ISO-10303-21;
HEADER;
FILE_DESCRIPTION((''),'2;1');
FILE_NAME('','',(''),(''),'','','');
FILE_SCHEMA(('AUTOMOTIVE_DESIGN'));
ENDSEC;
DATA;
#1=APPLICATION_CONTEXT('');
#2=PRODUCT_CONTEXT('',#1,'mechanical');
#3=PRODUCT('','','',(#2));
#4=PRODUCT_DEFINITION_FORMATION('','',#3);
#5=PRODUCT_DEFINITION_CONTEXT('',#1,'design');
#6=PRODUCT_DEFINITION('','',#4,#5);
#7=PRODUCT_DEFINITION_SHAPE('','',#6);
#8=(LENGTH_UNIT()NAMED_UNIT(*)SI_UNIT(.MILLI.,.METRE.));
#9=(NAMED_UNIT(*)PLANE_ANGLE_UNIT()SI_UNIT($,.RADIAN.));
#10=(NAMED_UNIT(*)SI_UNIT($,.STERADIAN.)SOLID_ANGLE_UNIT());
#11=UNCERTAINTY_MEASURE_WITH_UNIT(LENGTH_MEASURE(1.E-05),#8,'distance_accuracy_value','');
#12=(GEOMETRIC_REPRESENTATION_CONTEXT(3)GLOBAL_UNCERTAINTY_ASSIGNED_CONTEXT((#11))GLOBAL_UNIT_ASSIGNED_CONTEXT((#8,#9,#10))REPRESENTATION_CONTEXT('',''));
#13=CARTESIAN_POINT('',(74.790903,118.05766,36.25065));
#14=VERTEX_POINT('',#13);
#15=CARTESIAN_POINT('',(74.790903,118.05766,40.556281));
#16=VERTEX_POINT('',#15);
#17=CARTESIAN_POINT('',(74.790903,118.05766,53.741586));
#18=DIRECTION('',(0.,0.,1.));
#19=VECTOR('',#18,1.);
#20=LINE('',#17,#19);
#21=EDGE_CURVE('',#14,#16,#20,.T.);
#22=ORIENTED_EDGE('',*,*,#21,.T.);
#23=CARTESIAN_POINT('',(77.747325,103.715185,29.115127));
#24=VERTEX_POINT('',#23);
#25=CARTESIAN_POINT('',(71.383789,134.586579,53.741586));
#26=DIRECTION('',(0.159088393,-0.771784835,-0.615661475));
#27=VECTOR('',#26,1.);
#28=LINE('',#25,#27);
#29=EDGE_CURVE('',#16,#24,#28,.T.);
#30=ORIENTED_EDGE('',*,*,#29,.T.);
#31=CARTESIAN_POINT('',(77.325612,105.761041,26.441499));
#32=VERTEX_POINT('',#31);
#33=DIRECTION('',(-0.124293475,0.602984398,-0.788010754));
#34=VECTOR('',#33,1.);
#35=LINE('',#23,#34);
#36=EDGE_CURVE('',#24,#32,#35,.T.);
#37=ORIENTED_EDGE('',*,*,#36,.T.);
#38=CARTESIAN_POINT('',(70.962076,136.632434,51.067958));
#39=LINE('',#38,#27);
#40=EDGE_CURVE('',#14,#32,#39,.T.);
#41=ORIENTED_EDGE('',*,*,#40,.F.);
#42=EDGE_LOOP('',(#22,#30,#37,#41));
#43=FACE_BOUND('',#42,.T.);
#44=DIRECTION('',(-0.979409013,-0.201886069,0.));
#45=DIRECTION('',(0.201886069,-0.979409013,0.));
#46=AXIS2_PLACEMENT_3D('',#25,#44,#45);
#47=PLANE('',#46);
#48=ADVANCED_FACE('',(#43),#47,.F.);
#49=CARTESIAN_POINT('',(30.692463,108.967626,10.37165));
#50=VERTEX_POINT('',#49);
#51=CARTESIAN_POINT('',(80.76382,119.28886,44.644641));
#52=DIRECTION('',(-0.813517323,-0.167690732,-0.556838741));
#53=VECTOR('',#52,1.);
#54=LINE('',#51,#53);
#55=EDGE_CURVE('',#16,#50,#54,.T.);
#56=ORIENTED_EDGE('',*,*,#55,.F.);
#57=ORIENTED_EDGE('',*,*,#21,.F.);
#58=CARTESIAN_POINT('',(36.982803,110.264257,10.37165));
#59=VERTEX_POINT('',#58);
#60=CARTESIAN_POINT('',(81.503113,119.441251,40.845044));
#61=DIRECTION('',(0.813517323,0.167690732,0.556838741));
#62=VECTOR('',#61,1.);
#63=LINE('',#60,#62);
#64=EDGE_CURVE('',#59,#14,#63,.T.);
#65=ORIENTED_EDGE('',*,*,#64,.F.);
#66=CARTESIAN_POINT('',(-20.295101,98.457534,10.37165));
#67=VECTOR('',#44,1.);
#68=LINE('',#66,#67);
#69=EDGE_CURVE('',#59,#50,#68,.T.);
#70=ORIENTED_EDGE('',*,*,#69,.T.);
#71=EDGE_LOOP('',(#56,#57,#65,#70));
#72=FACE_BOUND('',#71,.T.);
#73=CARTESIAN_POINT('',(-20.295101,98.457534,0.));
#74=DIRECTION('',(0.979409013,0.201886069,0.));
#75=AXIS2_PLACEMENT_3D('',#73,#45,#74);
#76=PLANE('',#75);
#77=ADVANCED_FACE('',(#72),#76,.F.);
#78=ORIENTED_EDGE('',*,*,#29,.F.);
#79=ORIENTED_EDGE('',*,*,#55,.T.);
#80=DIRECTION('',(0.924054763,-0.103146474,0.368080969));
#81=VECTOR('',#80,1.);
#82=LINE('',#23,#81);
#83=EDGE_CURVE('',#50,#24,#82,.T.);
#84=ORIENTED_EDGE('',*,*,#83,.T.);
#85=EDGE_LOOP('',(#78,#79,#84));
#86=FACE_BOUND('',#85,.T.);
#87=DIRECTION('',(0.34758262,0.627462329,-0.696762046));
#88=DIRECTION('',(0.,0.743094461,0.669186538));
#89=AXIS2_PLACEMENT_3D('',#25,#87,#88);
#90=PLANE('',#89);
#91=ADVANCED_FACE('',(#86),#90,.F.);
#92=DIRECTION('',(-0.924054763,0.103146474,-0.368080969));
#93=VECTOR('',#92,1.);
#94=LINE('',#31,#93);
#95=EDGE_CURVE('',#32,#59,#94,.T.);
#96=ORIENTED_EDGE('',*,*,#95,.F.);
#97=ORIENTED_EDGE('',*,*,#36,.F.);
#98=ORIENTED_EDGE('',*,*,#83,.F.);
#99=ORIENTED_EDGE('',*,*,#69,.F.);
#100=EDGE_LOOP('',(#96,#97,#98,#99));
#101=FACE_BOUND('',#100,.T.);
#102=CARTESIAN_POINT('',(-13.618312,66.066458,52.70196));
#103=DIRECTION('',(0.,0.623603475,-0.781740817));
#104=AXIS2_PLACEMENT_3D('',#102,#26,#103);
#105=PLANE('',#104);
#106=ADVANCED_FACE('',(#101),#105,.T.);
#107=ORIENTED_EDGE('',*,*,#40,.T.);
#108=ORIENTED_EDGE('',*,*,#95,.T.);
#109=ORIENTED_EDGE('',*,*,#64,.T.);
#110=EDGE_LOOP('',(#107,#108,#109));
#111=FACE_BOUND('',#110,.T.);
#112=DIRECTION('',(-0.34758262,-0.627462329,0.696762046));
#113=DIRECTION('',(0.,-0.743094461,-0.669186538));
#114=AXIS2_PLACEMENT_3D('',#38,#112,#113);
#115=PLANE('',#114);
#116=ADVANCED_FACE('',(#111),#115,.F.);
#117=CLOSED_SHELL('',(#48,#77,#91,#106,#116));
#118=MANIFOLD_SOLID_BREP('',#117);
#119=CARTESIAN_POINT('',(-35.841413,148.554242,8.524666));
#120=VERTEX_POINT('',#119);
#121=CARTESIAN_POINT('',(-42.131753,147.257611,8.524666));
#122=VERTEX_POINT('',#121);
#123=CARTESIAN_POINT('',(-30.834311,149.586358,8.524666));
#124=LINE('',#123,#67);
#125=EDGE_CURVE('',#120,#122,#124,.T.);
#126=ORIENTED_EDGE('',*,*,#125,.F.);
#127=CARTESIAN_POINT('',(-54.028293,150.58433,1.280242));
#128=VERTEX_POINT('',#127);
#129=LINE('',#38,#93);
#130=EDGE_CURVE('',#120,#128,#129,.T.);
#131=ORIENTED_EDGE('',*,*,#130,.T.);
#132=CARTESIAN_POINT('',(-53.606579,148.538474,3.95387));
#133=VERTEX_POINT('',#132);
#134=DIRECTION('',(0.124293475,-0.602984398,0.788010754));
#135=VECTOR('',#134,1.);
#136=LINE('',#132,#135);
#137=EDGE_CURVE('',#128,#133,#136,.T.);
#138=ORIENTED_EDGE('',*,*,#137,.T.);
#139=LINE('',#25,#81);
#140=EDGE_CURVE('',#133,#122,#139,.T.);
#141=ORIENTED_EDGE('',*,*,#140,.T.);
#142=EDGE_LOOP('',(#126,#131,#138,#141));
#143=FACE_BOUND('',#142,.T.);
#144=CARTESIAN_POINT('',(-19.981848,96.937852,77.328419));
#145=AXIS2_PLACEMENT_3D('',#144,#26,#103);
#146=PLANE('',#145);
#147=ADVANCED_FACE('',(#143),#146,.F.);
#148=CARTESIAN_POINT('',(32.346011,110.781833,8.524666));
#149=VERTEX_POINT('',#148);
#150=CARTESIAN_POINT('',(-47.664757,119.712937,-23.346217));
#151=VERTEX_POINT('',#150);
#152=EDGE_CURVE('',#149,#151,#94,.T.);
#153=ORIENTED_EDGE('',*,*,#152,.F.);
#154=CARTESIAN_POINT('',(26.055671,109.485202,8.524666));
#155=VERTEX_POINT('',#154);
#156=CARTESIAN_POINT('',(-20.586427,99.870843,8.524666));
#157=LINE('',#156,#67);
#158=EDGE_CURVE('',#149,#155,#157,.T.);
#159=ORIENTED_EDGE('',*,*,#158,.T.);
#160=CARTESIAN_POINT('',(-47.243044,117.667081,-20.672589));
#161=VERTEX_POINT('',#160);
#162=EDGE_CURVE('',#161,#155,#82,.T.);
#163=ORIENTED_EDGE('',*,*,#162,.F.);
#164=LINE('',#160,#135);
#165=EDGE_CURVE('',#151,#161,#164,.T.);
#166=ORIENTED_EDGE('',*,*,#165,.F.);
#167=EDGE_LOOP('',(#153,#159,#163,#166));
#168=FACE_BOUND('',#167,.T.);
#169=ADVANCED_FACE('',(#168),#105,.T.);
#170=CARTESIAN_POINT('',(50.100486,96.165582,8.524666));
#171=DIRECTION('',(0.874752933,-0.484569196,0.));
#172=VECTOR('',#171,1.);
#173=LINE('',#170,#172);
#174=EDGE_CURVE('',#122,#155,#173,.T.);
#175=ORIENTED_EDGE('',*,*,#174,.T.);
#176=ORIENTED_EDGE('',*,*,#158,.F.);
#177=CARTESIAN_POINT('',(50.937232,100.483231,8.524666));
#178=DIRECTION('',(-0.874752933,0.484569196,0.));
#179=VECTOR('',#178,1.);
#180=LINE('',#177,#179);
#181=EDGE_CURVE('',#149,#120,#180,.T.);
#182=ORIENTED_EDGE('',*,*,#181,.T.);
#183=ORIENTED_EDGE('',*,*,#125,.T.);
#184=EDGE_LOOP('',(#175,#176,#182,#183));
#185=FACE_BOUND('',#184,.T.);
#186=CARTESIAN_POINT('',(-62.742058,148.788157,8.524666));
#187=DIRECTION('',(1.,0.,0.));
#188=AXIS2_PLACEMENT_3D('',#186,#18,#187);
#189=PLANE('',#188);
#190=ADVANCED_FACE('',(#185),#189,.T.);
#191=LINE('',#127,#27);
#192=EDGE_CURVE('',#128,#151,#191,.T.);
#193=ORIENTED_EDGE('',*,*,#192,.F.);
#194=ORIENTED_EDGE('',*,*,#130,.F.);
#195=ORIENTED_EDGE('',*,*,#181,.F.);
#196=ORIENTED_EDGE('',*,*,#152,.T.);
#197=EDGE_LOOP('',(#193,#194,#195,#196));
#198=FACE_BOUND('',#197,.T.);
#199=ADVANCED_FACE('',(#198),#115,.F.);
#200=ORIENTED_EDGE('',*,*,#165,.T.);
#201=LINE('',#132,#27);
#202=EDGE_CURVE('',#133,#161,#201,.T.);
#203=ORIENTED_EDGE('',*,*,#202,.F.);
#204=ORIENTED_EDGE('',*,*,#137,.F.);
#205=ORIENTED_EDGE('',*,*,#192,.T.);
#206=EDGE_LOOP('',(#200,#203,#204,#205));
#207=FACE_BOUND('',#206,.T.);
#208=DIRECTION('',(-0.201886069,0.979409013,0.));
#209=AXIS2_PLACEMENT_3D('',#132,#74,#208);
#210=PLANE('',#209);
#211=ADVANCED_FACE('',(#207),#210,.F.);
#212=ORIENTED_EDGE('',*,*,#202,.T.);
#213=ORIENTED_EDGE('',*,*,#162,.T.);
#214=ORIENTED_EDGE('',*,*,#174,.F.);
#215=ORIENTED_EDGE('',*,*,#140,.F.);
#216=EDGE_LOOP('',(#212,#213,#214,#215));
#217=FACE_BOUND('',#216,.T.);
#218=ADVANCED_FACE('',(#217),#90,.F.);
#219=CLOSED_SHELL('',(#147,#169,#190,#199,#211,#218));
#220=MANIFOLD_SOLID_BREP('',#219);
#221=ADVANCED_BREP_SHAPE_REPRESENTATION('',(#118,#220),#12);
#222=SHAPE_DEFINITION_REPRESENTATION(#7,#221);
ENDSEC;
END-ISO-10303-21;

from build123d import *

# Parameters (mm, degrees)
BOSS_EXTRUDE3_DEPTH = 40
CUT_EXTRUDE1_DEPTH  = 58.863715208


with BuildPart() as part:
    # Sketch6 → Boss-Extrude3 (new body)
    with BuildSketch(Plane(origin=(-13.618312045, 66.066458327, 52.70195964), x_dir=(0.984335136, 0.075994886, 0.159088393), z_dir=(-0.159088393, 0.771784835, 0.615661475))):
        Polygon((89.043125981, 48.915913578), (88.358150123, 52.238933995), (-41.534636191, 89.973908512), (-40.849660333, 86.650888095), align=None)
    extrude(amount=BOSS_EXTRUDE3_DEPTH)

    # Sketch7 → Cut-Extrude1 (cut, through all)
    with BuildSketch(Plane(origin=(-20.295100688, 98.457534195, 0), x_dir=(0.968832963, 0.199706022, 0.146561234), z_dir=(-0.201886069, 0.979409013, 0))):
        Polygon((-12.235949059, -131.74056907), (234.668770197, -95.158885), (217.081422087, 23.54530695), (-29.823297169, -13.03637712), align=None)
    extrude(amount=CUT_EXTRUDE1_DEPTH, mode=Mode.SUBTRACT)


solid = part.part
